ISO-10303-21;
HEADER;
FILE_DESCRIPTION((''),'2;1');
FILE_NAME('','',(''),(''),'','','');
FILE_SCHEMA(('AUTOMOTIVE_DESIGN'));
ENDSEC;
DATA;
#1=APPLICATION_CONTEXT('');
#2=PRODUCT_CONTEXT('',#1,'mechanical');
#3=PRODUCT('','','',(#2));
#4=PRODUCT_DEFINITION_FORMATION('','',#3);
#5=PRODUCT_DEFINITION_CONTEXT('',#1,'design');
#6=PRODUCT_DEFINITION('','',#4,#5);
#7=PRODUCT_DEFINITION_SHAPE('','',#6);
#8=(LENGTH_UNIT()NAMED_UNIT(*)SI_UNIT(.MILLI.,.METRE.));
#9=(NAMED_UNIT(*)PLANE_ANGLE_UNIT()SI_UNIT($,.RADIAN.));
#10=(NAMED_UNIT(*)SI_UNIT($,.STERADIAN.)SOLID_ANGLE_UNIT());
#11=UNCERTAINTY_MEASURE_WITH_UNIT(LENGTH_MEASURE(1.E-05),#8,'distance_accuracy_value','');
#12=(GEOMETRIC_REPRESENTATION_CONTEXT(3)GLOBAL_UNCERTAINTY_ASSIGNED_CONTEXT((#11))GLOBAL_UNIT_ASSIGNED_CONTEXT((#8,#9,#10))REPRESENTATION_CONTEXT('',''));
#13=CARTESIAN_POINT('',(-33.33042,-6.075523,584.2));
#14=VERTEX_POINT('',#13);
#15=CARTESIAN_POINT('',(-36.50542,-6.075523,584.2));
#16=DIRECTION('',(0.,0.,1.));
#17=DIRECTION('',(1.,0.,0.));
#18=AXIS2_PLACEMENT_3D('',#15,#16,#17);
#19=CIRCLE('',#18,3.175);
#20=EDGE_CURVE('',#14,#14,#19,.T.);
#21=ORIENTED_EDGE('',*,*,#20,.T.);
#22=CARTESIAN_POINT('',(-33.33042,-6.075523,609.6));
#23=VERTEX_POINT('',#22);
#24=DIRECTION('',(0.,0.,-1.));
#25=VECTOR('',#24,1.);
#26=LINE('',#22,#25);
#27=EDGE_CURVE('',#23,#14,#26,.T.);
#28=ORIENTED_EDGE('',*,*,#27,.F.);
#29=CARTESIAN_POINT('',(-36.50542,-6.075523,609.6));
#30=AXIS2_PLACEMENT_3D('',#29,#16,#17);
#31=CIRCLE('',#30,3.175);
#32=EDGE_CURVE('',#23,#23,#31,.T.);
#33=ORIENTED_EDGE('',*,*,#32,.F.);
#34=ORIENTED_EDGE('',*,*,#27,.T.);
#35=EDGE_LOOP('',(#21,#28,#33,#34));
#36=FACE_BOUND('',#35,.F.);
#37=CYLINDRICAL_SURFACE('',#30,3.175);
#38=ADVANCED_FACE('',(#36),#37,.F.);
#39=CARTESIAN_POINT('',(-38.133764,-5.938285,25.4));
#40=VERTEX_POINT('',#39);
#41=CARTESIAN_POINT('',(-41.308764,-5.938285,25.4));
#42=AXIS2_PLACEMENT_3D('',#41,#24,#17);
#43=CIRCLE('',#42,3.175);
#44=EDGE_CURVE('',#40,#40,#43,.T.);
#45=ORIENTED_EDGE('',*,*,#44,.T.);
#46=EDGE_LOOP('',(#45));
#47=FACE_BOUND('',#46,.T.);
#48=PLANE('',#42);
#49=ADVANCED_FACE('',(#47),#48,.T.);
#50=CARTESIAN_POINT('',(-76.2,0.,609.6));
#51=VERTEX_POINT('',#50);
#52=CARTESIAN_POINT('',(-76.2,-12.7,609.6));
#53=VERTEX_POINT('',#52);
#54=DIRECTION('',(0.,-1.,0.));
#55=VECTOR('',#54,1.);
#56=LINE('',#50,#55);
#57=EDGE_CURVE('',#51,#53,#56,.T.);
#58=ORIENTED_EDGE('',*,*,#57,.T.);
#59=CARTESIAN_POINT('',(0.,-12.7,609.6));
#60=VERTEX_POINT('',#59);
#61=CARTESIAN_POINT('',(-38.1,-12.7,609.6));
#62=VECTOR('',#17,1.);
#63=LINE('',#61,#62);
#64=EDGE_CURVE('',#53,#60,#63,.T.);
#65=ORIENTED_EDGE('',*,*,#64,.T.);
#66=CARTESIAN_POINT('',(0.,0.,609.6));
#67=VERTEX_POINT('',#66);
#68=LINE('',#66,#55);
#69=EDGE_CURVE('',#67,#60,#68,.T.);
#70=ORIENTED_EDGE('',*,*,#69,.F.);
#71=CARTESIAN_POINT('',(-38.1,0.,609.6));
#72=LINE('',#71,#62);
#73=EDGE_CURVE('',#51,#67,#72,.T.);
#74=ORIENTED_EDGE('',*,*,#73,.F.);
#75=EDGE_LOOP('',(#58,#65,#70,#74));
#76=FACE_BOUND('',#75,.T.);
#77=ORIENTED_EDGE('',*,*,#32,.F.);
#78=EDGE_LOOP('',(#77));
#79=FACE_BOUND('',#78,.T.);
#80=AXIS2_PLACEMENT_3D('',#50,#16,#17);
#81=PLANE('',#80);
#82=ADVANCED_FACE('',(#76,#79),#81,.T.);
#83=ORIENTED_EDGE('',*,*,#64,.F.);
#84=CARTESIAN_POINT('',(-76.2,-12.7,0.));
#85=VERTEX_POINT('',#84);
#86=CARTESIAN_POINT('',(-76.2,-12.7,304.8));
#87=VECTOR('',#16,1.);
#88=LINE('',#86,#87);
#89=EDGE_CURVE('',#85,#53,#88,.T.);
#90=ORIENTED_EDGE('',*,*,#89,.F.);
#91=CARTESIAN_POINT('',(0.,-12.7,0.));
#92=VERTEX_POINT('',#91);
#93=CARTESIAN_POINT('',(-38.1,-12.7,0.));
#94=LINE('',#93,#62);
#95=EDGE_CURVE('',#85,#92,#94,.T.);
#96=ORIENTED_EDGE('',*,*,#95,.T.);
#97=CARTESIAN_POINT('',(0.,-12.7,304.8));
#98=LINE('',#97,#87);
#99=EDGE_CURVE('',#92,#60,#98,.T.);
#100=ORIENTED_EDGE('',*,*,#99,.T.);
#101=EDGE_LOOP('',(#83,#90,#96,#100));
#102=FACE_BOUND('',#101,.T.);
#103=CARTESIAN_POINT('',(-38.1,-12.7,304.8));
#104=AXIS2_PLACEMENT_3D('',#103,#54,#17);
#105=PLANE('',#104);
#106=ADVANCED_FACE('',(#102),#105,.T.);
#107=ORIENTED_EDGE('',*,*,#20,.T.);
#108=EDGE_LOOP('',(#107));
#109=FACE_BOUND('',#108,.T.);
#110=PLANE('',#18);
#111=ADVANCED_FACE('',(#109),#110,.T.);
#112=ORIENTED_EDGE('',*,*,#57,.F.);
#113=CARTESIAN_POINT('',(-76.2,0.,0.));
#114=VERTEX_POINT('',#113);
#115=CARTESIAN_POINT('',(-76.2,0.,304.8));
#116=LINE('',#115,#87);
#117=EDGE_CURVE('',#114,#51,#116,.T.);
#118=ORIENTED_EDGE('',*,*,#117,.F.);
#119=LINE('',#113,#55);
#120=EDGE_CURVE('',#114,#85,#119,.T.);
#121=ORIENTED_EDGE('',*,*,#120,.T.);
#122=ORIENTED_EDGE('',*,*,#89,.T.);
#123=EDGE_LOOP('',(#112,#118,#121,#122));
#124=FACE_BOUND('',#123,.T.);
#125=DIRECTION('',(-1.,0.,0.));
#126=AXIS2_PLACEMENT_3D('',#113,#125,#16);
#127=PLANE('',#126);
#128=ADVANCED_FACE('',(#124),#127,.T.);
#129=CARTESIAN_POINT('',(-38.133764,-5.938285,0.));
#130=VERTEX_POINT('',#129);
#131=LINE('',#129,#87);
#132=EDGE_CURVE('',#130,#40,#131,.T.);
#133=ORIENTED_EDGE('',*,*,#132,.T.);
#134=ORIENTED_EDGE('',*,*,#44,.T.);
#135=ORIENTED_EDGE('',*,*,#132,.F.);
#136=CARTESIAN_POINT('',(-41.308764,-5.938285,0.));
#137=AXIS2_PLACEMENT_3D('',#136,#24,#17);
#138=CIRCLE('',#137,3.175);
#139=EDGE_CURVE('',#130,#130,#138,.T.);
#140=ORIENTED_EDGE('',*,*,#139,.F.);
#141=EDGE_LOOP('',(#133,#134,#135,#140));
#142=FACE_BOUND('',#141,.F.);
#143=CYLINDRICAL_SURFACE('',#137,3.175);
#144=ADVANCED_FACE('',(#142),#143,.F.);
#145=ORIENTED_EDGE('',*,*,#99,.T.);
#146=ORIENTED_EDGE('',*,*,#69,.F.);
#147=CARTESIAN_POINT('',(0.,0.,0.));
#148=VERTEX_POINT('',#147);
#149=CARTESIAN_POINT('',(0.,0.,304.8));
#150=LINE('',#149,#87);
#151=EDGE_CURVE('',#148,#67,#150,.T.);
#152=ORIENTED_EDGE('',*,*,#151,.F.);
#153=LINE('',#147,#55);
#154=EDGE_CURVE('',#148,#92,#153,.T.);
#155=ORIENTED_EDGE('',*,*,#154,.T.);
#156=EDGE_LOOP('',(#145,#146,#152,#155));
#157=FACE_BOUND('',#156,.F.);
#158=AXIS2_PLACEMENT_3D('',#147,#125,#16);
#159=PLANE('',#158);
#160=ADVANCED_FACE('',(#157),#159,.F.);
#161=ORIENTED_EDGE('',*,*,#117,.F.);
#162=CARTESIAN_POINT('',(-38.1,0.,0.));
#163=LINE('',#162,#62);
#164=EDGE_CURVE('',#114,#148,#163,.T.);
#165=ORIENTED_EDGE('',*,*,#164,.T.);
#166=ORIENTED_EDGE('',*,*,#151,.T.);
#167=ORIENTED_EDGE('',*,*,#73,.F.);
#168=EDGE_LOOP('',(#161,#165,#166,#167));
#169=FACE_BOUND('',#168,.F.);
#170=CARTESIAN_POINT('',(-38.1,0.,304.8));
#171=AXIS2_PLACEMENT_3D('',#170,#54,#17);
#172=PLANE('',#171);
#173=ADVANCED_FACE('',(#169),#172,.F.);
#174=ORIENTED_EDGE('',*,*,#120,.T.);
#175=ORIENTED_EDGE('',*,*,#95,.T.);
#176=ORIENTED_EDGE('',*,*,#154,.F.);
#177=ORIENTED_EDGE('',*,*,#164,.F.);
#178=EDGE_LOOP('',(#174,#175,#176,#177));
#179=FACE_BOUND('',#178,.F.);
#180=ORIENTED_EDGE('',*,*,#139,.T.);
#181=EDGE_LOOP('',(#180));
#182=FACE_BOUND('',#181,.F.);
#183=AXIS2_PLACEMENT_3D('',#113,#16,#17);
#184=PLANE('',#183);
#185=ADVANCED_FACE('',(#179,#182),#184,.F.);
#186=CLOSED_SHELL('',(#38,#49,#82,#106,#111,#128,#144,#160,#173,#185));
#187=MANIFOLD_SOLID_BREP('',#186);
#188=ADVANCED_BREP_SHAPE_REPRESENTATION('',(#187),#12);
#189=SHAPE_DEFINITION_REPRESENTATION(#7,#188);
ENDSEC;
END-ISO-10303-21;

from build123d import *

# Parameters (mm, degrees)
F0_W     = 76.2
F0_H     = 609.6
F1_DEPTH = 12.7
F2_R     = 3.175
F3_DEPTH = 25.4
F4_R     = 3.175
F5_DEPTH = 25.4


with BuildPart() as f1:
    # F0 (on Front) → F1 (new body)
    with BuildSketch(Plane.XZ):
        with Locations((-38.1, 304.8)):
            Rectangle(F0_W, F0_H)
    extrude(amount=F1_DEPTH)

    # F2 (on face) → F3 (cut)
    with BuildSketch(Plane(origin=(0, 0, 0), x_dir=(1, 0, 0), z_dir=(0, 0, -1))):
        with Locations((-41.308764, 5.938285)):
            Circle(F2_R)
    extrude(amount=-F3_DEPTH, mode=Mode.SUBTRACT)

    # F4 (on face) → F5 (cut)
    with BuildSketch(Plane.XY.offset(609.6)):
        with Locations((-36.50542, -6.075523)):
            Circle(F4_R)
    extrude(amount=-F5_DEPTH, mode=Mode.SUBTRACT)


solid = f1.part
